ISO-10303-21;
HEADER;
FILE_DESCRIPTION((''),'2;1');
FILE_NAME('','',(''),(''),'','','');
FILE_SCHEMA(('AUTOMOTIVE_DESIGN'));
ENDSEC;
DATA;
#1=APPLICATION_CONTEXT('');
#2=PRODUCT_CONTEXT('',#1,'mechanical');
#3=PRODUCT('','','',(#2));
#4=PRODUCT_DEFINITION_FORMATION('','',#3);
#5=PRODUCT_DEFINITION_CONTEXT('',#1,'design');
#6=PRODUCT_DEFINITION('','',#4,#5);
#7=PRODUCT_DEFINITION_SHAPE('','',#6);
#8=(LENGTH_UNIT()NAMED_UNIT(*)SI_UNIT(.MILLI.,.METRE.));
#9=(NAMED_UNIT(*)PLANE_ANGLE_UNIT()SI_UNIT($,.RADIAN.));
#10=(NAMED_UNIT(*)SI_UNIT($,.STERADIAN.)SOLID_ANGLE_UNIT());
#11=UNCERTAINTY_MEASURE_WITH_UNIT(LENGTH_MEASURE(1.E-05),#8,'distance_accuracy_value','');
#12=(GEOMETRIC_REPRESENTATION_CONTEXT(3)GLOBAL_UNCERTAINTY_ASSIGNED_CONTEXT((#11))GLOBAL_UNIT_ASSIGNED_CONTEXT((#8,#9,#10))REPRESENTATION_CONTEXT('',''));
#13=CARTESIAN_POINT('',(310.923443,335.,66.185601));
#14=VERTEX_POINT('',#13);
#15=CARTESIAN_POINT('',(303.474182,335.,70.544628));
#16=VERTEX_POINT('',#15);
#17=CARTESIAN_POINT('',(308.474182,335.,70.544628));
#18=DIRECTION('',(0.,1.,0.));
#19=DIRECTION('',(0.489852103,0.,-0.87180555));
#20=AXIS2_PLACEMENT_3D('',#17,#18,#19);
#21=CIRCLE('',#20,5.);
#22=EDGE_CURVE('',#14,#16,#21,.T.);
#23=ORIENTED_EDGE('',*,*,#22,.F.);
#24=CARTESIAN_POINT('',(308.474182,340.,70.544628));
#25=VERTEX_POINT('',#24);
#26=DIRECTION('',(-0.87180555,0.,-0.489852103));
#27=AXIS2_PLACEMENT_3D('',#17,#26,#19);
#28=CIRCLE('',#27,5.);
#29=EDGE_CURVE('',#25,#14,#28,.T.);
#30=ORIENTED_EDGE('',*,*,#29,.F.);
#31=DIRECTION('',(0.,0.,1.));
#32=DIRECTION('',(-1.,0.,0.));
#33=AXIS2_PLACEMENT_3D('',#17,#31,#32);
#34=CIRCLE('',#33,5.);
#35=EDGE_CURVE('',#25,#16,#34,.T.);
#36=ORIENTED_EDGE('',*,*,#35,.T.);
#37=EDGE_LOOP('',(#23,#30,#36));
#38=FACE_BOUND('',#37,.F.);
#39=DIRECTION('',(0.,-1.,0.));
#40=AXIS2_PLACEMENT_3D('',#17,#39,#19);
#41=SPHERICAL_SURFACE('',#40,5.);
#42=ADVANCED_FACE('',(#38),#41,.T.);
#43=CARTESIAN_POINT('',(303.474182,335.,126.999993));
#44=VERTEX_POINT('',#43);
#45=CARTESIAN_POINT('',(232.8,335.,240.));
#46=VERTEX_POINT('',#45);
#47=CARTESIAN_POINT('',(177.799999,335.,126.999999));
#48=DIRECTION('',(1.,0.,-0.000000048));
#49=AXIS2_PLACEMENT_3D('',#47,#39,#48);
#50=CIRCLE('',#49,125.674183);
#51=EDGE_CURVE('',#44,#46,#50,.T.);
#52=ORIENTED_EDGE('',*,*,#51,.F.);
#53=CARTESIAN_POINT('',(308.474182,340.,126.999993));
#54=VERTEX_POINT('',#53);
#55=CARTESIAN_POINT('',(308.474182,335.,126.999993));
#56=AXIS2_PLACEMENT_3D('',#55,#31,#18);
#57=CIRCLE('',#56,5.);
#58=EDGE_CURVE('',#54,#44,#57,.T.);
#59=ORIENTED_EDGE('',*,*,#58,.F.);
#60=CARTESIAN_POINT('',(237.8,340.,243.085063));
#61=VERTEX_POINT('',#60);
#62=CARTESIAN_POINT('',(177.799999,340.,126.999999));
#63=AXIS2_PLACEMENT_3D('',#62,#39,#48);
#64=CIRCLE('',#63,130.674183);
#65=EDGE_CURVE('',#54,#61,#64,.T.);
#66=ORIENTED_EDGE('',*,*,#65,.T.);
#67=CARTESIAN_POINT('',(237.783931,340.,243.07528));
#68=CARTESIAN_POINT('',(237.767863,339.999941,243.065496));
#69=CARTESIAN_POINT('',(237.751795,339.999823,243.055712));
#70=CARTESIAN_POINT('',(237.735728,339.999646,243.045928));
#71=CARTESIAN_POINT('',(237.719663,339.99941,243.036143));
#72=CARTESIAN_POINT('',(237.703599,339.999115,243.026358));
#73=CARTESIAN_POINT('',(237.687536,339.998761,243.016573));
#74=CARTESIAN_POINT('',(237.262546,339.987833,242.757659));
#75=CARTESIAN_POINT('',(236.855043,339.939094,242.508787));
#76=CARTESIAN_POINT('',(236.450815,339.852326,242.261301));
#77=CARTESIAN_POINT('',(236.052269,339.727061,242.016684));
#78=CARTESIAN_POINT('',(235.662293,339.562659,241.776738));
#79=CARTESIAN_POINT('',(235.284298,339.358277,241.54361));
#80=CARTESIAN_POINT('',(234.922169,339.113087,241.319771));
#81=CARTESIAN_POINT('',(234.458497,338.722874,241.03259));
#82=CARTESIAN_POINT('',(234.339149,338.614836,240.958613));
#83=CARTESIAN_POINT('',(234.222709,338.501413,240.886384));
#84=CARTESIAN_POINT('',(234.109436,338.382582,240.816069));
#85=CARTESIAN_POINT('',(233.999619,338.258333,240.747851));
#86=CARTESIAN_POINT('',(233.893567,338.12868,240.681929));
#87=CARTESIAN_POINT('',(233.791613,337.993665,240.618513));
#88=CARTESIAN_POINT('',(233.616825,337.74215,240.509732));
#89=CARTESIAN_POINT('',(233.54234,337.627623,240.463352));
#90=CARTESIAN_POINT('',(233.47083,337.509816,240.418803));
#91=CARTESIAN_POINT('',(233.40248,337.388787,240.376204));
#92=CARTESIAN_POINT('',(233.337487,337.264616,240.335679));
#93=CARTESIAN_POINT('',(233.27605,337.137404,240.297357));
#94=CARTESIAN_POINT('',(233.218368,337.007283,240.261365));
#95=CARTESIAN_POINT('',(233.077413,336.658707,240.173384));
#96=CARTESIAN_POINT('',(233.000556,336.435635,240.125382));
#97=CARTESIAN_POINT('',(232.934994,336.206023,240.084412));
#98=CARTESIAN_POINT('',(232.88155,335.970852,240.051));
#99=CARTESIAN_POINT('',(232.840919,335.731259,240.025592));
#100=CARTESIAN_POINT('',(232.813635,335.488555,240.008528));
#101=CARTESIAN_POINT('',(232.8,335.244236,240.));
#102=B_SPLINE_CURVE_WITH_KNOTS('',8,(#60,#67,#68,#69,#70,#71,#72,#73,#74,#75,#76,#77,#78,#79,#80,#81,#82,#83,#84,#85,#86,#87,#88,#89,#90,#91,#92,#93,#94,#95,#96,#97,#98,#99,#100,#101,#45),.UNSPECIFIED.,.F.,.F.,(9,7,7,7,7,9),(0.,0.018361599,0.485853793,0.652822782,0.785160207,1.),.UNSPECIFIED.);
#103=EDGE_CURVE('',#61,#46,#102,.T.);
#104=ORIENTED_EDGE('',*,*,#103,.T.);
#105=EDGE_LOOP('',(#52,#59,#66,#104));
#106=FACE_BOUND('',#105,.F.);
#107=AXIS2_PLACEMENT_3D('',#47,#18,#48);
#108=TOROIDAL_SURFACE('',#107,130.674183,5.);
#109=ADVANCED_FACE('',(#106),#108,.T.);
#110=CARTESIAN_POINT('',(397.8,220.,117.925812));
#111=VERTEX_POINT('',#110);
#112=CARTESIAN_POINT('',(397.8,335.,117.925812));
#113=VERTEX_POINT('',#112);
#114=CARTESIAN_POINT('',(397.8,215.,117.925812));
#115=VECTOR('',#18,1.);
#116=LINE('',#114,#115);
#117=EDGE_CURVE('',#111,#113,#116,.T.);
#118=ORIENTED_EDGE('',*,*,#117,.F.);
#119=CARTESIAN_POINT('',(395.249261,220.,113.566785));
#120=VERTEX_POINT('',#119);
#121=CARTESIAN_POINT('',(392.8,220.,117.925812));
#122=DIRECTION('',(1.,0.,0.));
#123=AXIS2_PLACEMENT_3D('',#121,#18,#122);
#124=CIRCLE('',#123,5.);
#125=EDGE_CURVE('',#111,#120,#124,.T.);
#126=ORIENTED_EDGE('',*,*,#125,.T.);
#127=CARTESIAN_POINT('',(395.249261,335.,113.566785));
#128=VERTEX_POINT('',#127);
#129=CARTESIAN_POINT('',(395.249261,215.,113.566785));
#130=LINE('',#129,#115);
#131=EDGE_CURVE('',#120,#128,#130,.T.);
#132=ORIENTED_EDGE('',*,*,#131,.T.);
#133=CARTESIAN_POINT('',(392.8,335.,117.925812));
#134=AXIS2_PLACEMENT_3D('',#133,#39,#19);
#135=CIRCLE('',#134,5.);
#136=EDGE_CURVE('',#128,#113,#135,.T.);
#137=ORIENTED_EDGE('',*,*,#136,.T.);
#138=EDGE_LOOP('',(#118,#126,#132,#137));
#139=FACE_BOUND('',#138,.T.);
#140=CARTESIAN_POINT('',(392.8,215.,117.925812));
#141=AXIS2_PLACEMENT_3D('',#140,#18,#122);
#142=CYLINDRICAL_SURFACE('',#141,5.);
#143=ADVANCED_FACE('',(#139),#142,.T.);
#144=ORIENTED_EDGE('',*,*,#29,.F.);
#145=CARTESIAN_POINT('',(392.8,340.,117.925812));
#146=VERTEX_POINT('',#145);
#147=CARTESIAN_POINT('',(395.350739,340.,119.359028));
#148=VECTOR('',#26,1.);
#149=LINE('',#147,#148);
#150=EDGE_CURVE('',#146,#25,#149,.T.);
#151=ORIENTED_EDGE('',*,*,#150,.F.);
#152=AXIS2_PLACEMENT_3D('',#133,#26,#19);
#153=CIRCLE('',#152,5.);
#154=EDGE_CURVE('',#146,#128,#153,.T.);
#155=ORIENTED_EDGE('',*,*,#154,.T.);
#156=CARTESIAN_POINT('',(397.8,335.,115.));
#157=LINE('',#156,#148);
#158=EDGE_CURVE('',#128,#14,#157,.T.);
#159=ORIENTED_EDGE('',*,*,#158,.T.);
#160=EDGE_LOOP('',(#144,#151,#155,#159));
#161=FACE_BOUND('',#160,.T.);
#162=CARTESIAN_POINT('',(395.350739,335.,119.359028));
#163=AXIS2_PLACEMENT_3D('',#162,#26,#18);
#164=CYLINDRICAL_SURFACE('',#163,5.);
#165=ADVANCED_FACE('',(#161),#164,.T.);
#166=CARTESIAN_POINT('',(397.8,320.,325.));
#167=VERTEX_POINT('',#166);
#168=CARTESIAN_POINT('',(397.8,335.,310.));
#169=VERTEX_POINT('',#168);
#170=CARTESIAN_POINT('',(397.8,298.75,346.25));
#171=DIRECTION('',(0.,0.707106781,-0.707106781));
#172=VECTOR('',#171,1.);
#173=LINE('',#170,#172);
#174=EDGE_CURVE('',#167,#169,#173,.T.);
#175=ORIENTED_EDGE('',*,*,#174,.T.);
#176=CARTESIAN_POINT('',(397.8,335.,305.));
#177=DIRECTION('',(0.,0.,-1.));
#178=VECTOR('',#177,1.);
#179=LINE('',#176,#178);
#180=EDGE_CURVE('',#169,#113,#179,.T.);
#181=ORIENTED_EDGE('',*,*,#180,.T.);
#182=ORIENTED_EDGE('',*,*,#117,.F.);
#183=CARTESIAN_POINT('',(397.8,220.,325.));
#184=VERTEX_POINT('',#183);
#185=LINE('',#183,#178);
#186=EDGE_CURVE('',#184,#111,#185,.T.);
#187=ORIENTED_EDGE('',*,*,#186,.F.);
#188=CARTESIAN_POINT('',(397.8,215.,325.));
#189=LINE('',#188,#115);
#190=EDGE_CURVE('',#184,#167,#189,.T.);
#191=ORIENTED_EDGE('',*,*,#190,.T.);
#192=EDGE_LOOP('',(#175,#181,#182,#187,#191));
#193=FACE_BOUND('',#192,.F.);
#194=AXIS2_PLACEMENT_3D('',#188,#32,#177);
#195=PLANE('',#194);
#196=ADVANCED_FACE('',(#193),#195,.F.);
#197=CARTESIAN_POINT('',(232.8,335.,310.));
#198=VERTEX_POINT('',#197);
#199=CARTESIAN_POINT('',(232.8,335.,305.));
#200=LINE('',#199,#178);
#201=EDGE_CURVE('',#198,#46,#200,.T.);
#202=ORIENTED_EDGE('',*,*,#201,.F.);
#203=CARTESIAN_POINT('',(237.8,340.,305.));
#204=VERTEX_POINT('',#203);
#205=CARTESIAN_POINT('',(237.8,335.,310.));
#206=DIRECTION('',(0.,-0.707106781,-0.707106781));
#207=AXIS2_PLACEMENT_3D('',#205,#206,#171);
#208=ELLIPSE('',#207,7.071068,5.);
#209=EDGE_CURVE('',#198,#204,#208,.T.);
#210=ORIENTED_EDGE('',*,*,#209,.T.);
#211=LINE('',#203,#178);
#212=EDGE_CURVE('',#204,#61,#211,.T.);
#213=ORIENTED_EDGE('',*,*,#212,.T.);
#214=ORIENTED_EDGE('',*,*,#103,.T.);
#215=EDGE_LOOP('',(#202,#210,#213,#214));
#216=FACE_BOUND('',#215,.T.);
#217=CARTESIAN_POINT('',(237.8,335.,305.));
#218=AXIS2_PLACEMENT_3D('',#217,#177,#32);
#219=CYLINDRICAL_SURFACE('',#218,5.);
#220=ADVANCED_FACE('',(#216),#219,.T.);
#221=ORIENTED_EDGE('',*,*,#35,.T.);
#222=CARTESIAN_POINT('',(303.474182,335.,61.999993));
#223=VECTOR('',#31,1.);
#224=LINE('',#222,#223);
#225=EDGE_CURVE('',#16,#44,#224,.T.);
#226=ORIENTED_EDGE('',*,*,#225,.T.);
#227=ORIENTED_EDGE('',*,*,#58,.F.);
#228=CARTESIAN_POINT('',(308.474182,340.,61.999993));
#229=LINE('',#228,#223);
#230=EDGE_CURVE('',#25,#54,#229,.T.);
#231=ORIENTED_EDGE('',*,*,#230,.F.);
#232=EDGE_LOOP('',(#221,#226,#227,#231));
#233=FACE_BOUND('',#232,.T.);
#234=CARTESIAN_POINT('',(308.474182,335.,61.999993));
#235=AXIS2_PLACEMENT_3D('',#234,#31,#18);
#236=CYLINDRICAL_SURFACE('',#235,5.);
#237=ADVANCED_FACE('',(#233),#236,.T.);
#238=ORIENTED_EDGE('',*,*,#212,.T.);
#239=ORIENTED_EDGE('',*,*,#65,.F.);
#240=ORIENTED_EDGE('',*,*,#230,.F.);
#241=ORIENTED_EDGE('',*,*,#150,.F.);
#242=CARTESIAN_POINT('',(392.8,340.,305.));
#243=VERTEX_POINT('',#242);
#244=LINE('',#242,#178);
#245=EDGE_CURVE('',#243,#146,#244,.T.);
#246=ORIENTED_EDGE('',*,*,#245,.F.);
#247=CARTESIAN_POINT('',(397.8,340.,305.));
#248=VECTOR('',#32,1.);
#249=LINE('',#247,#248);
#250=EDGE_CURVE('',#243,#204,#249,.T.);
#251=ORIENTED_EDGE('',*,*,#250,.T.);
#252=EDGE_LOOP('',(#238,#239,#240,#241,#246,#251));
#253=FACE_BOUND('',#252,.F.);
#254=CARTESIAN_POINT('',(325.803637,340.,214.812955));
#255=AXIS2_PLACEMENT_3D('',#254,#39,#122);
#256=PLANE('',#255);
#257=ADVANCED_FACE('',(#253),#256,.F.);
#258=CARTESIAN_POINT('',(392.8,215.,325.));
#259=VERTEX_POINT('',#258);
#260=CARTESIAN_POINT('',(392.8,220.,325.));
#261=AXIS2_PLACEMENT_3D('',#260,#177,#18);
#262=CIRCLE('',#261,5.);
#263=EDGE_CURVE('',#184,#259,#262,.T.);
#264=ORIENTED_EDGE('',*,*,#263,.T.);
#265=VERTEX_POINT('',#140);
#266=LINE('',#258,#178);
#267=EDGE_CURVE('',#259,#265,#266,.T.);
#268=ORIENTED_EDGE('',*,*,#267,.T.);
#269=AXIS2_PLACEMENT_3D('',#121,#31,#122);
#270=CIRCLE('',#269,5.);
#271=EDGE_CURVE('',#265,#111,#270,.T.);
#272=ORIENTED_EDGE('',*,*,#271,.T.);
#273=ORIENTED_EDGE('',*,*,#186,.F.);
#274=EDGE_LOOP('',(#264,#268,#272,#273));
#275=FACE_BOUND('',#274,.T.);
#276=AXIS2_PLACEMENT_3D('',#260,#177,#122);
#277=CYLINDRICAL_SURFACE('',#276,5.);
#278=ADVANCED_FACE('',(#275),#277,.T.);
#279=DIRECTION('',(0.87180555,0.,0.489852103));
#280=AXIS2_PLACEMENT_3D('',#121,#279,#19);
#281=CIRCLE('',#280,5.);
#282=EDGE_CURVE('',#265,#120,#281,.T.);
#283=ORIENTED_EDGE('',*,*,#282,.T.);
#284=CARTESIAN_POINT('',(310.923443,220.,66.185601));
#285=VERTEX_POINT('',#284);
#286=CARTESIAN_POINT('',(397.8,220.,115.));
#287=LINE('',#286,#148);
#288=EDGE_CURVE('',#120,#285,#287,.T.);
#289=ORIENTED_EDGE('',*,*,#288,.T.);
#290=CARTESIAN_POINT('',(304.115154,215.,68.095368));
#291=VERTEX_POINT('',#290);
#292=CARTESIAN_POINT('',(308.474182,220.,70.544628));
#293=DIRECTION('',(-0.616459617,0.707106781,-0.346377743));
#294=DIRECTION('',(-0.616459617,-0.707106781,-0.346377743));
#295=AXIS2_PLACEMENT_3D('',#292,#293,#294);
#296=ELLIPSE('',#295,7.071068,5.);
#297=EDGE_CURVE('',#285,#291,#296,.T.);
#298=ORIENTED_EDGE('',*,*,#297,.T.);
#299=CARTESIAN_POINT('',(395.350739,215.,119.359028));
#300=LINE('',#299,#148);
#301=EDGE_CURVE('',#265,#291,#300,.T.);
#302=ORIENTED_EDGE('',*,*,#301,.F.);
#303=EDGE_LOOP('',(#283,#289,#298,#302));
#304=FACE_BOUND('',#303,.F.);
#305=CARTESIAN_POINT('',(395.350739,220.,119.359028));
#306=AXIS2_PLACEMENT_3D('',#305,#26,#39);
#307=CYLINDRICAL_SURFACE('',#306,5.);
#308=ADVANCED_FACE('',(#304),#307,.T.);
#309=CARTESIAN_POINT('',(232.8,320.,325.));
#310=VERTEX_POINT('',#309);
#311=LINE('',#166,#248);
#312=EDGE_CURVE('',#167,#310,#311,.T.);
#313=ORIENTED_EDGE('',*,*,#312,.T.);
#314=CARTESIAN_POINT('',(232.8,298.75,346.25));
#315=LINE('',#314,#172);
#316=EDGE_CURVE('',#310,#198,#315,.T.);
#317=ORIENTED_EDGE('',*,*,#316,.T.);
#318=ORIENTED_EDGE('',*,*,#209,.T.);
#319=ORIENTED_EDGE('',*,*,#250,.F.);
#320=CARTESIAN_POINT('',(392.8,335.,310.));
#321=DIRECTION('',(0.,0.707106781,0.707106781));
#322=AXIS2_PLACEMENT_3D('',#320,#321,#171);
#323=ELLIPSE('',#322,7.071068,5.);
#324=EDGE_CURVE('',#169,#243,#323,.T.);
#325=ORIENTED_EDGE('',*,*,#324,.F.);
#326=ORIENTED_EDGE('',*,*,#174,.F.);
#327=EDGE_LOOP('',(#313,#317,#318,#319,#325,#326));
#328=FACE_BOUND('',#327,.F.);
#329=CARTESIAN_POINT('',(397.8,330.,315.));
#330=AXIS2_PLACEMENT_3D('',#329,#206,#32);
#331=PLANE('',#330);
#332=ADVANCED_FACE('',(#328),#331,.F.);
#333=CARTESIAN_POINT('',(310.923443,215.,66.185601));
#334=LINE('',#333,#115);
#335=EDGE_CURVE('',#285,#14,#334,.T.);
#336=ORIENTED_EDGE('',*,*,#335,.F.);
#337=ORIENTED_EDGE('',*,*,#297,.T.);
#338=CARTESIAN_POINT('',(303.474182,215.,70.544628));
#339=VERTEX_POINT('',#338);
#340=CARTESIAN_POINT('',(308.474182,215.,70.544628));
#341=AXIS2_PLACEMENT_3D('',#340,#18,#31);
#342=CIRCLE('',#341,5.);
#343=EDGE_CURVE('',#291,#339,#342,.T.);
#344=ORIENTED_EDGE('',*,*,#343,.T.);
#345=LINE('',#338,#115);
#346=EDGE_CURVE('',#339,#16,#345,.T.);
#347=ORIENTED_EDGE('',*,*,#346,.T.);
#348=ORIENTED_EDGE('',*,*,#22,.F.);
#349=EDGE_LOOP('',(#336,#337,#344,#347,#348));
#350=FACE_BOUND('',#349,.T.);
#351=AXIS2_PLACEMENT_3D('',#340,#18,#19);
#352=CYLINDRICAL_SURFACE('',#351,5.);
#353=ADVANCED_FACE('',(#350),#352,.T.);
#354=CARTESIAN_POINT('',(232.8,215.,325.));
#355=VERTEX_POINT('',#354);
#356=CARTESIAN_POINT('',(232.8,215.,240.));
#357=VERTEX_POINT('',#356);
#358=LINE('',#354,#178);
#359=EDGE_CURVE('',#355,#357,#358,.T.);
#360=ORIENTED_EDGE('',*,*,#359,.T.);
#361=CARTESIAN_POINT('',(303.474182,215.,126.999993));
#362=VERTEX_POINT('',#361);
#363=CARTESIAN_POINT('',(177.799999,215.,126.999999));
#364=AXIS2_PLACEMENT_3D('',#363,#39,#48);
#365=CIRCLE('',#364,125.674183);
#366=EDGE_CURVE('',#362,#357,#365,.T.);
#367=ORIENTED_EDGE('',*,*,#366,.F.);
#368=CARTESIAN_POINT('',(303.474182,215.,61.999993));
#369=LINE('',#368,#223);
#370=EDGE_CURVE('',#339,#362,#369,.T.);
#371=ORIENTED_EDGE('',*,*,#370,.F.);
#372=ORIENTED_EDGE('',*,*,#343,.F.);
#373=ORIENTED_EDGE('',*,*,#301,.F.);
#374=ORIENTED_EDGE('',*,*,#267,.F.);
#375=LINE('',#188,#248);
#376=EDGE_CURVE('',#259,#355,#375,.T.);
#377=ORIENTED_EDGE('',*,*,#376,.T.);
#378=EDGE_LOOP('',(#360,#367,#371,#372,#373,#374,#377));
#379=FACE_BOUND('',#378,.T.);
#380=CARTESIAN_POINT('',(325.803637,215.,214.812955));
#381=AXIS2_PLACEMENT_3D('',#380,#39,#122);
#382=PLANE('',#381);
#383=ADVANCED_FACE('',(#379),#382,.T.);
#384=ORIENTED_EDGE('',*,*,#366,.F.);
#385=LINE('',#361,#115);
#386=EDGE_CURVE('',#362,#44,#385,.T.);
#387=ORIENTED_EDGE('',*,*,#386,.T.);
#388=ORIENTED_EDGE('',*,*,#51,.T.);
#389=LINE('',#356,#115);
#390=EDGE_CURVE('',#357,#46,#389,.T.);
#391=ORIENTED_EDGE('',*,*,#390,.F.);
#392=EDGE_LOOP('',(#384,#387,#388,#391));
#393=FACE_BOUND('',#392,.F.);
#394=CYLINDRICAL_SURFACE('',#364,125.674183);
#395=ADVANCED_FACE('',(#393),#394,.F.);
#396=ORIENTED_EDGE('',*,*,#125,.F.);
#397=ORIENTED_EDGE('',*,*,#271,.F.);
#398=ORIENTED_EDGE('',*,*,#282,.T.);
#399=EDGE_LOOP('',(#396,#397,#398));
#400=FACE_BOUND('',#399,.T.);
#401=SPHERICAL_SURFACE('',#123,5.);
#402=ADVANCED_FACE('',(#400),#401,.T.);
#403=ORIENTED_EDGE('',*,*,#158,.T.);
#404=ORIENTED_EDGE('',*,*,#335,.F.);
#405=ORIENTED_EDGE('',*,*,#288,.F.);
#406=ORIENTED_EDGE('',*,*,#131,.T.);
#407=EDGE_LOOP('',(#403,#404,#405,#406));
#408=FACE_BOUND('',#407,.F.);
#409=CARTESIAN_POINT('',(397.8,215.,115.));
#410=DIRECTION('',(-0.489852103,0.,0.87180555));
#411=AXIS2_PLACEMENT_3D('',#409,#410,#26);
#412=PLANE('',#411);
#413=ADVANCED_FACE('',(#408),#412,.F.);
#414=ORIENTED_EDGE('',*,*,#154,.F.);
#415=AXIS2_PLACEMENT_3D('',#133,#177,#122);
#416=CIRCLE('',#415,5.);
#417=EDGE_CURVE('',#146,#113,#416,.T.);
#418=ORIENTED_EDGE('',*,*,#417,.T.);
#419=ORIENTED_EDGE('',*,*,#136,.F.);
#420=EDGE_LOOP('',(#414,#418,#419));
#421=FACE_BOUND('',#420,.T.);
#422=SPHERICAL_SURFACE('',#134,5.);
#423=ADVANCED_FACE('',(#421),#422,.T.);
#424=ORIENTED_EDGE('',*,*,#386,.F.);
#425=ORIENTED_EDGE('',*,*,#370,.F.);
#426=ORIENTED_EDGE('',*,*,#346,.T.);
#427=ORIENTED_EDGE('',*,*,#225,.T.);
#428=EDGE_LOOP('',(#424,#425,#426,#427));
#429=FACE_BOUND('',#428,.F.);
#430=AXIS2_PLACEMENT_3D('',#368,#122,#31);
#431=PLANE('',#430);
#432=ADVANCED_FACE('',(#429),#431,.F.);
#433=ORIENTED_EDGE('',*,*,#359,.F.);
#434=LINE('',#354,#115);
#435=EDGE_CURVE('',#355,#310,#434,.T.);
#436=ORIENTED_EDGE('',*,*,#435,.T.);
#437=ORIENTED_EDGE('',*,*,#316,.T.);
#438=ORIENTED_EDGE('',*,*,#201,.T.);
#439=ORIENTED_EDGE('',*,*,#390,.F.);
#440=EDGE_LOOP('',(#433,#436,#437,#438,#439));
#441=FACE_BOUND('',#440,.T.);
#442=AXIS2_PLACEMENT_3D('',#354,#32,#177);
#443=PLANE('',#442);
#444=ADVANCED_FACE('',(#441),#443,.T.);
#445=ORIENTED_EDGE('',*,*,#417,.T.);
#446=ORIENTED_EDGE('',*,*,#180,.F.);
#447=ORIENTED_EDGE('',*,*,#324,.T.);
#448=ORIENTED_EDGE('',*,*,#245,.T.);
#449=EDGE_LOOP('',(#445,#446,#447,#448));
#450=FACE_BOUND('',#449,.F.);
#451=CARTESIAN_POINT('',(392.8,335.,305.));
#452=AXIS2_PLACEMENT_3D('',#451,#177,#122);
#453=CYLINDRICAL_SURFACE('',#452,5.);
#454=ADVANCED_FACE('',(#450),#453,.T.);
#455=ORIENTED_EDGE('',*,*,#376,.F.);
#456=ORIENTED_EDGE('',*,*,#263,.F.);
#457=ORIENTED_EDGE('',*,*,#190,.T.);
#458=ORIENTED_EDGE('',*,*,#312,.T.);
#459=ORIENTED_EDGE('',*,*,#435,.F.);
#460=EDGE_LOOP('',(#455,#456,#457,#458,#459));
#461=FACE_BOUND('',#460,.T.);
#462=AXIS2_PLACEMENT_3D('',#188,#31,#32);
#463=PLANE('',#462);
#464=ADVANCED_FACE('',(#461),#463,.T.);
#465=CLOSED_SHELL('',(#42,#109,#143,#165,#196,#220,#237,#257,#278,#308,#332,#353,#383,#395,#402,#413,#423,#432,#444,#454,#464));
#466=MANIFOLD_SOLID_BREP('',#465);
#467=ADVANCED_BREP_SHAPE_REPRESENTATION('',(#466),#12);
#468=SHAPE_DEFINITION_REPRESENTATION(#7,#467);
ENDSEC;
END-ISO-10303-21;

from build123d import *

# Parameters (mm, degrees)
PAD010_DEPTH    = 125
CHAMFER003_SIZE = 20
FILLET007_R     = 5


with BuildPart() as part:
    # Sketch014 → Pad010 (new body)
    with BuildSketch(Plane.XZ.offset(-215)):
        with BuildLine():
            Line((397.8, 325), (232.8, 325))
            Line((232.8, 325), (232.8, 240))
            ThreePointArc((303.474182, 126.999993), (284.350647, 193.640525), (232.8, 240))
            Line((303.474182, 61.999993), (303.474182, 126.999993))
            Line((397.8, 115), (303.474182, 61.999993))
            Line((397.8, 325), (397.8, 115))
        make_face()
    extrude(amount=-PAD010_DEPTH)

    # Chamfer003
    chamfer003_edges = [part.edges().sort_by_distance(p)[0] for p in [
        (315.3, 340, 325),
    ]]
    chamfer(chamfer003_edges, length=CHAMFER003_SIZE)

    # Fillet007
    fillet007_edges = [part.edges().sort_by_distance(p)[0] for p in [
        (397.8, 340, 210),
        (397.8, 277.5, 115),
        (350.637091, 340, 88.499996),
        (303.474182, 340, 94.499993),
        (284.350647, 340, 193.640525),
        (232.8, 340, 272.5),
        (397.8, 215, 220),
        (350.637091, 215, 88.499996),
        (303.474182, 277.5, 61.999993),
    ]]
    fillet(fillet007_edges, radius=FILLET007_R)


solid = part.part
